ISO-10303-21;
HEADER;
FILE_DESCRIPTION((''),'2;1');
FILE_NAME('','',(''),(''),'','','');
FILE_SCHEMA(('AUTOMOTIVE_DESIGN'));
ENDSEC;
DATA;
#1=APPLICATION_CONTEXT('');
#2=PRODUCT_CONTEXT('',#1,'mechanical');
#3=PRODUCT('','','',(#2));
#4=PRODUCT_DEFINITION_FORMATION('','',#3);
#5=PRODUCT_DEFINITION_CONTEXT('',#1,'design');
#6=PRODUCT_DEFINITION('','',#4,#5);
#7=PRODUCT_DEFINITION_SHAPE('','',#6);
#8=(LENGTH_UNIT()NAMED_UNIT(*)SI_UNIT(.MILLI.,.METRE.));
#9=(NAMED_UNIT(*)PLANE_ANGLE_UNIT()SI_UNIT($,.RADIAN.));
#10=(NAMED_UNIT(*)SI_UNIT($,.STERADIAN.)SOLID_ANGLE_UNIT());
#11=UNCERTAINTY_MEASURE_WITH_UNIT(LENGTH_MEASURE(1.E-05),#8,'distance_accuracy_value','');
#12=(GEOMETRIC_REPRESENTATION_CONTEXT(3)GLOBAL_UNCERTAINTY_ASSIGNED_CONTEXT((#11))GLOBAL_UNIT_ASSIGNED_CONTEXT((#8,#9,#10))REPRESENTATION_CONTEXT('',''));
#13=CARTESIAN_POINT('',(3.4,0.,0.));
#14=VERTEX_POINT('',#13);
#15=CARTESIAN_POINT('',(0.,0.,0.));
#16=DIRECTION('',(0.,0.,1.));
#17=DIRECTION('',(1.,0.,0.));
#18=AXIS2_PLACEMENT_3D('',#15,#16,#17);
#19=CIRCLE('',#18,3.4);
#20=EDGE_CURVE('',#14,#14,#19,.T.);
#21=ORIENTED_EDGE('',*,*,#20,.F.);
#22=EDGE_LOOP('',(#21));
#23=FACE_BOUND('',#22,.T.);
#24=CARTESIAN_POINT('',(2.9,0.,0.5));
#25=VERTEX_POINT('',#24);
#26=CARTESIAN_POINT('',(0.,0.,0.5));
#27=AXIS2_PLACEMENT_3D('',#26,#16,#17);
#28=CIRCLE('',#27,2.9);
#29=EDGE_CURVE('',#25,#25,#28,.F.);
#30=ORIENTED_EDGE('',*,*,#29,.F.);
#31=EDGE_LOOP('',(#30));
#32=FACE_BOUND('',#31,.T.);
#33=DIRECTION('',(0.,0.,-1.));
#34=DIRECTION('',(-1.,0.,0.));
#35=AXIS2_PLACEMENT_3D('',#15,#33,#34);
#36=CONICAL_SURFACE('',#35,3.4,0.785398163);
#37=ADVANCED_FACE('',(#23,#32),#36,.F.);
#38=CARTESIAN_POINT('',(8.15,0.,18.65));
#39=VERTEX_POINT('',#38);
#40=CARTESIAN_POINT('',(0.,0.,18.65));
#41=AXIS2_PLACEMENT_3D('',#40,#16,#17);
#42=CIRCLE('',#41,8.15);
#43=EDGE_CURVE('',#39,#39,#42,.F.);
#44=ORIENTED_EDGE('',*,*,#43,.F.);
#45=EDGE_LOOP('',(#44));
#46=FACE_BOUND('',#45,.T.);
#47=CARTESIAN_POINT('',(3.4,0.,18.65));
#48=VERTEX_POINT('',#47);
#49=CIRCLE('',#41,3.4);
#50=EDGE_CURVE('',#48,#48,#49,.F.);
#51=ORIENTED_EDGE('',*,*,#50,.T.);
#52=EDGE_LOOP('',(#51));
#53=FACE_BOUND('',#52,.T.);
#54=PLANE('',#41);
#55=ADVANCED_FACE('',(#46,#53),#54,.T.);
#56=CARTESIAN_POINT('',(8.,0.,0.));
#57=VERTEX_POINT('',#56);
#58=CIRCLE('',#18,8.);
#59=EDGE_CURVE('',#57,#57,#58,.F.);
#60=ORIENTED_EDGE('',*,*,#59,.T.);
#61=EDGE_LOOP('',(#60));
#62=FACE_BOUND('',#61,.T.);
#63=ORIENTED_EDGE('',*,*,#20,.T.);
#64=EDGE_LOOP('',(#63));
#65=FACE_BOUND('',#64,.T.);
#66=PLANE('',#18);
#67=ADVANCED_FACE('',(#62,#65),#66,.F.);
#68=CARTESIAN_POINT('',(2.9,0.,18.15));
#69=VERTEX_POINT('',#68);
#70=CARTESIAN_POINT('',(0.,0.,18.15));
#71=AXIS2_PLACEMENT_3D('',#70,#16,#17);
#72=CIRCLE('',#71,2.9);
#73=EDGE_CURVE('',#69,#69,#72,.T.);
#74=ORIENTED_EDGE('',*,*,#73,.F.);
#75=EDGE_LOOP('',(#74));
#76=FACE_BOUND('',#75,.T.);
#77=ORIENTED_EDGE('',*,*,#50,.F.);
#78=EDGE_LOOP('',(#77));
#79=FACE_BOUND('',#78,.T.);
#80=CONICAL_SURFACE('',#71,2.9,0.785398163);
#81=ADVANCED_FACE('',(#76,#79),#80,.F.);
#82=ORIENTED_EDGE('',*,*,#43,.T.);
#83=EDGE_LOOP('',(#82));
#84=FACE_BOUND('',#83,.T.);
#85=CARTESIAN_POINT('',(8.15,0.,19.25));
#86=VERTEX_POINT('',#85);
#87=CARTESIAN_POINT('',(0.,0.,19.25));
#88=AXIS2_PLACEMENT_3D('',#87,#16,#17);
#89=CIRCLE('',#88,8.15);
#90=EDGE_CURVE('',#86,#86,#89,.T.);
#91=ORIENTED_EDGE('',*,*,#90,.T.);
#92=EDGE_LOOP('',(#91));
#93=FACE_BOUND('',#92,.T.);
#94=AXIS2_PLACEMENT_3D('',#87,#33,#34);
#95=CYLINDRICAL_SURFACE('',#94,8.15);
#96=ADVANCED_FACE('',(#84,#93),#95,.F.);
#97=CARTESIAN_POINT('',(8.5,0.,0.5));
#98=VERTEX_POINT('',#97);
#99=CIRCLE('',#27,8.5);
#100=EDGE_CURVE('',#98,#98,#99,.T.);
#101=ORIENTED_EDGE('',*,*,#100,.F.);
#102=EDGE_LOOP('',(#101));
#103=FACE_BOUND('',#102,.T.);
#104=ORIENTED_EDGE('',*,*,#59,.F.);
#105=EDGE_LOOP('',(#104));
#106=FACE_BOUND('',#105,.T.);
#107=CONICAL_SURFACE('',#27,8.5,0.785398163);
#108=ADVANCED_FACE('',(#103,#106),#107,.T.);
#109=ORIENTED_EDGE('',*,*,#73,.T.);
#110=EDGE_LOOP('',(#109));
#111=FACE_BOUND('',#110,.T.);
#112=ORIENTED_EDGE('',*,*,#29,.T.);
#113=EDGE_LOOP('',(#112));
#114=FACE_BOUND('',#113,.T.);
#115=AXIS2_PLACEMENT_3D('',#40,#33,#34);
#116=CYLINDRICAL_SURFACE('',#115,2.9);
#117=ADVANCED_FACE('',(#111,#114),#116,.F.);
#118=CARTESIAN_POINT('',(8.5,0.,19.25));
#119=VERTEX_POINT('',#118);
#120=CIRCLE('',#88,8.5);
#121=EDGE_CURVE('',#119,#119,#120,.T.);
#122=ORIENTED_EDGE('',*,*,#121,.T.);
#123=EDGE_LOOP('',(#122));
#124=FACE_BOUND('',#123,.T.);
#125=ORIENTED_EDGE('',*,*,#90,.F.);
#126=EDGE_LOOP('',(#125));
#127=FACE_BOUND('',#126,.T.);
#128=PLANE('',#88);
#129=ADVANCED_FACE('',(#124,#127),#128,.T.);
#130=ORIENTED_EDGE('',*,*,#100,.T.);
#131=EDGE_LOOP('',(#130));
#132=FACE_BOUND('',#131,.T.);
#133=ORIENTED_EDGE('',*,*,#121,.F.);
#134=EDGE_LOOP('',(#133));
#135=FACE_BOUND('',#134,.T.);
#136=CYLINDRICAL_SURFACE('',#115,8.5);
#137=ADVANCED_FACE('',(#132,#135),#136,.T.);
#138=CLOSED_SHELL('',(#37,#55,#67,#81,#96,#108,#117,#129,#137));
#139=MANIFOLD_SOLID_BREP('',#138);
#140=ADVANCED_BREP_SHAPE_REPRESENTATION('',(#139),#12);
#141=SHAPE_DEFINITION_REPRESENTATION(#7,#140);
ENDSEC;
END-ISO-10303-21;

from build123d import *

# Parameters (mm, degrees)
SKIZZE1_R                       = 8.5
SKIZZE1_R_2                     = 2.9
AUFSATZ_LINEAR_AUSTRAGEN1_DEPTH = 18.65
SKIZZE2_R                       = 8.5
SKIZZE2_R_2                     = 8.15
AUFSATZ_LINEAR_AUSTRAGEN2_DEPTH = 0.6
FASE1_SIZE                      = 0.5


with BuildPart() as part:
    # Skizze1 → Aufsatz-Linear austragen1 (new body)
    with BuildSketch(Plane.XY):
        Circle(SKIZZE1_R)
        Circle(SKIZZE1_R_2, mode=Mode.SUBTRACT)
    extrude(amount=AUFSATZ_LINEAR_AUSTRAGEN1_DEPTH)

    # Skizze2 → Aufsatz-Linear austragen2 (add)
    with BuildSketch(Plane.XY.offset(18.65)):
        Circle(SKIZZE2_R)
        Circle(SKIZZE2_R_2, mode=Mode.SUBTRACT)
    extrude(amount=AUFSATZ_LINEAR_AUSTRAGEN2_DEPTH)

    # Fase1
    fase1_edges = [part.edges().sort_by_distance(p)[0] for p in [
        (-8.5, 0, 0),
        (-2.9, 0, 0),
        (-2.9, 0, 18.65),
    ]]
    chamfer(fase1_edges, length=FASE1_SIZE)


solid = part.part
